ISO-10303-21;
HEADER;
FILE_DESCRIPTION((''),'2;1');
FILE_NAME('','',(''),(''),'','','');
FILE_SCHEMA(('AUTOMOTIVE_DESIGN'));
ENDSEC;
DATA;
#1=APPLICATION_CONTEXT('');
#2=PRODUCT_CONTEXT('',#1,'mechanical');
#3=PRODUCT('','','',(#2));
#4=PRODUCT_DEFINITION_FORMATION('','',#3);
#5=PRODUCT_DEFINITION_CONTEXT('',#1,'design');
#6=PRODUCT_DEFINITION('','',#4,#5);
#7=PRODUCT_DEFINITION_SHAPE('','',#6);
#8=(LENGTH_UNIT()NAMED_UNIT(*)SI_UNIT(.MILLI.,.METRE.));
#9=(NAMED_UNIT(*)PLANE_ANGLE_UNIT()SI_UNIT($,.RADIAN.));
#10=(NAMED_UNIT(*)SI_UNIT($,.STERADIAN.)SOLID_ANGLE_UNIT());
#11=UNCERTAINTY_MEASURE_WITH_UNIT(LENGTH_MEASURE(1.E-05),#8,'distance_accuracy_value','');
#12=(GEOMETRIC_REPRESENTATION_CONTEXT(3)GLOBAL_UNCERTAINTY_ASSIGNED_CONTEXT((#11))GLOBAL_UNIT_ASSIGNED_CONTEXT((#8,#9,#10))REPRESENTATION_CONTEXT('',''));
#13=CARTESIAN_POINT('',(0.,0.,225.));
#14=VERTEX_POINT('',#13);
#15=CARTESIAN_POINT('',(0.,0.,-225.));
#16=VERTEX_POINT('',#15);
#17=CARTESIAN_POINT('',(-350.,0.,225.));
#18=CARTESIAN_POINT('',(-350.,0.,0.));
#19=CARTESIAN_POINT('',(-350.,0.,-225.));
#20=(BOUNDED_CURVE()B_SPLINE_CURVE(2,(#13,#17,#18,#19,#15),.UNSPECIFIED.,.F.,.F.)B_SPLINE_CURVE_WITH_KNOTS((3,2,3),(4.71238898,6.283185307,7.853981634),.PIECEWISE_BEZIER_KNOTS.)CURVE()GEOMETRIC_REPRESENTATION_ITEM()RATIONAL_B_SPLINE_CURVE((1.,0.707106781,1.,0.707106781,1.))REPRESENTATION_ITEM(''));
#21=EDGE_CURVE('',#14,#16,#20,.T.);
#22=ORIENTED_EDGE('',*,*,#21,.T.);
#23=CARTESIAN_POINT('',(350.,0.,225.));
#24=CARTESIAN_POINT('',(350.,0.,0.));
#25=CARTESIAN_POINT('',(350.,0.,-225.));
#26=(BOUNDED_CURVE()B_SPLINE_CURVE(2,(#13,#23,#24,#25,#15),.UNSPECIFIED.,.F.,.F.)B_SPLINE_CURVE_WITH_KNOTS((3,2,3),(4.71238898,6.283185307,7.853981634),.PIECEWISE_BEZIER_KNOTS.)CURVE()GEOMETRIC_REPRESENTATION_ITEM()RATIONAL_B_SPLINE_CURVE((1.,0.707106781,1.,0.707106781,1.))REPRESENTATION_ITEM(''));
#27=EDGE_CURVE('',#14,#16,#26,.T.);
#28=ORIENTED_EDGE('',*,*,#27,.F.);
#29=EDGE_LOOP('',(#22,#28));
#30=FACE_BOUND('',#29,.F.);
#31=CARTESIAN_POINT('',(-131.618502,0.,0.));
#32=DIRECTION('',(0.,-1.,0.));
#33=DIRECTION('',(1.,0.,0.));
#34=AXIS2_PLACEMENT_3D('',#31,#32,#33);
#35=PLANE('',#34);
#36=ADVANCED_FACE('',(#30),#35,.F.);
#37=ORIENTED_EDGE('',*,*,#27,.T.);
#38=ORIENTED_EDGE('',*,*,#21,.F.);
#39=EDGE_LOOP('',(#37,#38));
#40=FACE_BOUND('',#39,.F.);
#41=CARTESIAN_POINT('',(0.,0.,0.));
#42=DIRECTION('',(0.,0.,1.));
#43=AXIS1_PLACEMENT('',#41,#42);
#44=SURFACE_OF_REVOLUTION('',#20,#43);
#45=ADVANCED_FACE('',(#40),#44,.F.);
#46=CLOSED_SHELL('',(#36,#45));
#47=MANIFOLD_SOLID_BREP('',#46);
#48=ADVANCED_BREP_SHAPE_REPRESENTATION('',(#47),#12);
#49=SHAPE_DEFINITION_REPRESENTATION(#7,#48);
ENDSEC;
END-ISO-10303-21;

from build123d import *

# Parameters (mm, degrees)
F1_ANGLE = 180


with BuildPart() as f1:
    # F0 (on Front) → F1 (revolve)
    with BuildSketch(Plane.XZ):
        with BuildLine():
            Line((0, -225), (0, 225))
            add(Edge.make_bspline(
                [(0, 225), (-350, 225), (-350, 0), (-350, -225), (0, -225)],
                knots=[4.7123889804, 4.7123889804, 4.7123889804, 6.2831853072, 6.2831853072, 7.853981634, 7.853981634, 7.853981634], degree=2, weights=[1, 0.7071067812, 1, 0.7071067812, 1]))
        make_face()
    revolve(axis=Axis((0, 0, 0), (0, 0, 1)), revolution_arc=F1_ANGLE)


solid = f1.part
